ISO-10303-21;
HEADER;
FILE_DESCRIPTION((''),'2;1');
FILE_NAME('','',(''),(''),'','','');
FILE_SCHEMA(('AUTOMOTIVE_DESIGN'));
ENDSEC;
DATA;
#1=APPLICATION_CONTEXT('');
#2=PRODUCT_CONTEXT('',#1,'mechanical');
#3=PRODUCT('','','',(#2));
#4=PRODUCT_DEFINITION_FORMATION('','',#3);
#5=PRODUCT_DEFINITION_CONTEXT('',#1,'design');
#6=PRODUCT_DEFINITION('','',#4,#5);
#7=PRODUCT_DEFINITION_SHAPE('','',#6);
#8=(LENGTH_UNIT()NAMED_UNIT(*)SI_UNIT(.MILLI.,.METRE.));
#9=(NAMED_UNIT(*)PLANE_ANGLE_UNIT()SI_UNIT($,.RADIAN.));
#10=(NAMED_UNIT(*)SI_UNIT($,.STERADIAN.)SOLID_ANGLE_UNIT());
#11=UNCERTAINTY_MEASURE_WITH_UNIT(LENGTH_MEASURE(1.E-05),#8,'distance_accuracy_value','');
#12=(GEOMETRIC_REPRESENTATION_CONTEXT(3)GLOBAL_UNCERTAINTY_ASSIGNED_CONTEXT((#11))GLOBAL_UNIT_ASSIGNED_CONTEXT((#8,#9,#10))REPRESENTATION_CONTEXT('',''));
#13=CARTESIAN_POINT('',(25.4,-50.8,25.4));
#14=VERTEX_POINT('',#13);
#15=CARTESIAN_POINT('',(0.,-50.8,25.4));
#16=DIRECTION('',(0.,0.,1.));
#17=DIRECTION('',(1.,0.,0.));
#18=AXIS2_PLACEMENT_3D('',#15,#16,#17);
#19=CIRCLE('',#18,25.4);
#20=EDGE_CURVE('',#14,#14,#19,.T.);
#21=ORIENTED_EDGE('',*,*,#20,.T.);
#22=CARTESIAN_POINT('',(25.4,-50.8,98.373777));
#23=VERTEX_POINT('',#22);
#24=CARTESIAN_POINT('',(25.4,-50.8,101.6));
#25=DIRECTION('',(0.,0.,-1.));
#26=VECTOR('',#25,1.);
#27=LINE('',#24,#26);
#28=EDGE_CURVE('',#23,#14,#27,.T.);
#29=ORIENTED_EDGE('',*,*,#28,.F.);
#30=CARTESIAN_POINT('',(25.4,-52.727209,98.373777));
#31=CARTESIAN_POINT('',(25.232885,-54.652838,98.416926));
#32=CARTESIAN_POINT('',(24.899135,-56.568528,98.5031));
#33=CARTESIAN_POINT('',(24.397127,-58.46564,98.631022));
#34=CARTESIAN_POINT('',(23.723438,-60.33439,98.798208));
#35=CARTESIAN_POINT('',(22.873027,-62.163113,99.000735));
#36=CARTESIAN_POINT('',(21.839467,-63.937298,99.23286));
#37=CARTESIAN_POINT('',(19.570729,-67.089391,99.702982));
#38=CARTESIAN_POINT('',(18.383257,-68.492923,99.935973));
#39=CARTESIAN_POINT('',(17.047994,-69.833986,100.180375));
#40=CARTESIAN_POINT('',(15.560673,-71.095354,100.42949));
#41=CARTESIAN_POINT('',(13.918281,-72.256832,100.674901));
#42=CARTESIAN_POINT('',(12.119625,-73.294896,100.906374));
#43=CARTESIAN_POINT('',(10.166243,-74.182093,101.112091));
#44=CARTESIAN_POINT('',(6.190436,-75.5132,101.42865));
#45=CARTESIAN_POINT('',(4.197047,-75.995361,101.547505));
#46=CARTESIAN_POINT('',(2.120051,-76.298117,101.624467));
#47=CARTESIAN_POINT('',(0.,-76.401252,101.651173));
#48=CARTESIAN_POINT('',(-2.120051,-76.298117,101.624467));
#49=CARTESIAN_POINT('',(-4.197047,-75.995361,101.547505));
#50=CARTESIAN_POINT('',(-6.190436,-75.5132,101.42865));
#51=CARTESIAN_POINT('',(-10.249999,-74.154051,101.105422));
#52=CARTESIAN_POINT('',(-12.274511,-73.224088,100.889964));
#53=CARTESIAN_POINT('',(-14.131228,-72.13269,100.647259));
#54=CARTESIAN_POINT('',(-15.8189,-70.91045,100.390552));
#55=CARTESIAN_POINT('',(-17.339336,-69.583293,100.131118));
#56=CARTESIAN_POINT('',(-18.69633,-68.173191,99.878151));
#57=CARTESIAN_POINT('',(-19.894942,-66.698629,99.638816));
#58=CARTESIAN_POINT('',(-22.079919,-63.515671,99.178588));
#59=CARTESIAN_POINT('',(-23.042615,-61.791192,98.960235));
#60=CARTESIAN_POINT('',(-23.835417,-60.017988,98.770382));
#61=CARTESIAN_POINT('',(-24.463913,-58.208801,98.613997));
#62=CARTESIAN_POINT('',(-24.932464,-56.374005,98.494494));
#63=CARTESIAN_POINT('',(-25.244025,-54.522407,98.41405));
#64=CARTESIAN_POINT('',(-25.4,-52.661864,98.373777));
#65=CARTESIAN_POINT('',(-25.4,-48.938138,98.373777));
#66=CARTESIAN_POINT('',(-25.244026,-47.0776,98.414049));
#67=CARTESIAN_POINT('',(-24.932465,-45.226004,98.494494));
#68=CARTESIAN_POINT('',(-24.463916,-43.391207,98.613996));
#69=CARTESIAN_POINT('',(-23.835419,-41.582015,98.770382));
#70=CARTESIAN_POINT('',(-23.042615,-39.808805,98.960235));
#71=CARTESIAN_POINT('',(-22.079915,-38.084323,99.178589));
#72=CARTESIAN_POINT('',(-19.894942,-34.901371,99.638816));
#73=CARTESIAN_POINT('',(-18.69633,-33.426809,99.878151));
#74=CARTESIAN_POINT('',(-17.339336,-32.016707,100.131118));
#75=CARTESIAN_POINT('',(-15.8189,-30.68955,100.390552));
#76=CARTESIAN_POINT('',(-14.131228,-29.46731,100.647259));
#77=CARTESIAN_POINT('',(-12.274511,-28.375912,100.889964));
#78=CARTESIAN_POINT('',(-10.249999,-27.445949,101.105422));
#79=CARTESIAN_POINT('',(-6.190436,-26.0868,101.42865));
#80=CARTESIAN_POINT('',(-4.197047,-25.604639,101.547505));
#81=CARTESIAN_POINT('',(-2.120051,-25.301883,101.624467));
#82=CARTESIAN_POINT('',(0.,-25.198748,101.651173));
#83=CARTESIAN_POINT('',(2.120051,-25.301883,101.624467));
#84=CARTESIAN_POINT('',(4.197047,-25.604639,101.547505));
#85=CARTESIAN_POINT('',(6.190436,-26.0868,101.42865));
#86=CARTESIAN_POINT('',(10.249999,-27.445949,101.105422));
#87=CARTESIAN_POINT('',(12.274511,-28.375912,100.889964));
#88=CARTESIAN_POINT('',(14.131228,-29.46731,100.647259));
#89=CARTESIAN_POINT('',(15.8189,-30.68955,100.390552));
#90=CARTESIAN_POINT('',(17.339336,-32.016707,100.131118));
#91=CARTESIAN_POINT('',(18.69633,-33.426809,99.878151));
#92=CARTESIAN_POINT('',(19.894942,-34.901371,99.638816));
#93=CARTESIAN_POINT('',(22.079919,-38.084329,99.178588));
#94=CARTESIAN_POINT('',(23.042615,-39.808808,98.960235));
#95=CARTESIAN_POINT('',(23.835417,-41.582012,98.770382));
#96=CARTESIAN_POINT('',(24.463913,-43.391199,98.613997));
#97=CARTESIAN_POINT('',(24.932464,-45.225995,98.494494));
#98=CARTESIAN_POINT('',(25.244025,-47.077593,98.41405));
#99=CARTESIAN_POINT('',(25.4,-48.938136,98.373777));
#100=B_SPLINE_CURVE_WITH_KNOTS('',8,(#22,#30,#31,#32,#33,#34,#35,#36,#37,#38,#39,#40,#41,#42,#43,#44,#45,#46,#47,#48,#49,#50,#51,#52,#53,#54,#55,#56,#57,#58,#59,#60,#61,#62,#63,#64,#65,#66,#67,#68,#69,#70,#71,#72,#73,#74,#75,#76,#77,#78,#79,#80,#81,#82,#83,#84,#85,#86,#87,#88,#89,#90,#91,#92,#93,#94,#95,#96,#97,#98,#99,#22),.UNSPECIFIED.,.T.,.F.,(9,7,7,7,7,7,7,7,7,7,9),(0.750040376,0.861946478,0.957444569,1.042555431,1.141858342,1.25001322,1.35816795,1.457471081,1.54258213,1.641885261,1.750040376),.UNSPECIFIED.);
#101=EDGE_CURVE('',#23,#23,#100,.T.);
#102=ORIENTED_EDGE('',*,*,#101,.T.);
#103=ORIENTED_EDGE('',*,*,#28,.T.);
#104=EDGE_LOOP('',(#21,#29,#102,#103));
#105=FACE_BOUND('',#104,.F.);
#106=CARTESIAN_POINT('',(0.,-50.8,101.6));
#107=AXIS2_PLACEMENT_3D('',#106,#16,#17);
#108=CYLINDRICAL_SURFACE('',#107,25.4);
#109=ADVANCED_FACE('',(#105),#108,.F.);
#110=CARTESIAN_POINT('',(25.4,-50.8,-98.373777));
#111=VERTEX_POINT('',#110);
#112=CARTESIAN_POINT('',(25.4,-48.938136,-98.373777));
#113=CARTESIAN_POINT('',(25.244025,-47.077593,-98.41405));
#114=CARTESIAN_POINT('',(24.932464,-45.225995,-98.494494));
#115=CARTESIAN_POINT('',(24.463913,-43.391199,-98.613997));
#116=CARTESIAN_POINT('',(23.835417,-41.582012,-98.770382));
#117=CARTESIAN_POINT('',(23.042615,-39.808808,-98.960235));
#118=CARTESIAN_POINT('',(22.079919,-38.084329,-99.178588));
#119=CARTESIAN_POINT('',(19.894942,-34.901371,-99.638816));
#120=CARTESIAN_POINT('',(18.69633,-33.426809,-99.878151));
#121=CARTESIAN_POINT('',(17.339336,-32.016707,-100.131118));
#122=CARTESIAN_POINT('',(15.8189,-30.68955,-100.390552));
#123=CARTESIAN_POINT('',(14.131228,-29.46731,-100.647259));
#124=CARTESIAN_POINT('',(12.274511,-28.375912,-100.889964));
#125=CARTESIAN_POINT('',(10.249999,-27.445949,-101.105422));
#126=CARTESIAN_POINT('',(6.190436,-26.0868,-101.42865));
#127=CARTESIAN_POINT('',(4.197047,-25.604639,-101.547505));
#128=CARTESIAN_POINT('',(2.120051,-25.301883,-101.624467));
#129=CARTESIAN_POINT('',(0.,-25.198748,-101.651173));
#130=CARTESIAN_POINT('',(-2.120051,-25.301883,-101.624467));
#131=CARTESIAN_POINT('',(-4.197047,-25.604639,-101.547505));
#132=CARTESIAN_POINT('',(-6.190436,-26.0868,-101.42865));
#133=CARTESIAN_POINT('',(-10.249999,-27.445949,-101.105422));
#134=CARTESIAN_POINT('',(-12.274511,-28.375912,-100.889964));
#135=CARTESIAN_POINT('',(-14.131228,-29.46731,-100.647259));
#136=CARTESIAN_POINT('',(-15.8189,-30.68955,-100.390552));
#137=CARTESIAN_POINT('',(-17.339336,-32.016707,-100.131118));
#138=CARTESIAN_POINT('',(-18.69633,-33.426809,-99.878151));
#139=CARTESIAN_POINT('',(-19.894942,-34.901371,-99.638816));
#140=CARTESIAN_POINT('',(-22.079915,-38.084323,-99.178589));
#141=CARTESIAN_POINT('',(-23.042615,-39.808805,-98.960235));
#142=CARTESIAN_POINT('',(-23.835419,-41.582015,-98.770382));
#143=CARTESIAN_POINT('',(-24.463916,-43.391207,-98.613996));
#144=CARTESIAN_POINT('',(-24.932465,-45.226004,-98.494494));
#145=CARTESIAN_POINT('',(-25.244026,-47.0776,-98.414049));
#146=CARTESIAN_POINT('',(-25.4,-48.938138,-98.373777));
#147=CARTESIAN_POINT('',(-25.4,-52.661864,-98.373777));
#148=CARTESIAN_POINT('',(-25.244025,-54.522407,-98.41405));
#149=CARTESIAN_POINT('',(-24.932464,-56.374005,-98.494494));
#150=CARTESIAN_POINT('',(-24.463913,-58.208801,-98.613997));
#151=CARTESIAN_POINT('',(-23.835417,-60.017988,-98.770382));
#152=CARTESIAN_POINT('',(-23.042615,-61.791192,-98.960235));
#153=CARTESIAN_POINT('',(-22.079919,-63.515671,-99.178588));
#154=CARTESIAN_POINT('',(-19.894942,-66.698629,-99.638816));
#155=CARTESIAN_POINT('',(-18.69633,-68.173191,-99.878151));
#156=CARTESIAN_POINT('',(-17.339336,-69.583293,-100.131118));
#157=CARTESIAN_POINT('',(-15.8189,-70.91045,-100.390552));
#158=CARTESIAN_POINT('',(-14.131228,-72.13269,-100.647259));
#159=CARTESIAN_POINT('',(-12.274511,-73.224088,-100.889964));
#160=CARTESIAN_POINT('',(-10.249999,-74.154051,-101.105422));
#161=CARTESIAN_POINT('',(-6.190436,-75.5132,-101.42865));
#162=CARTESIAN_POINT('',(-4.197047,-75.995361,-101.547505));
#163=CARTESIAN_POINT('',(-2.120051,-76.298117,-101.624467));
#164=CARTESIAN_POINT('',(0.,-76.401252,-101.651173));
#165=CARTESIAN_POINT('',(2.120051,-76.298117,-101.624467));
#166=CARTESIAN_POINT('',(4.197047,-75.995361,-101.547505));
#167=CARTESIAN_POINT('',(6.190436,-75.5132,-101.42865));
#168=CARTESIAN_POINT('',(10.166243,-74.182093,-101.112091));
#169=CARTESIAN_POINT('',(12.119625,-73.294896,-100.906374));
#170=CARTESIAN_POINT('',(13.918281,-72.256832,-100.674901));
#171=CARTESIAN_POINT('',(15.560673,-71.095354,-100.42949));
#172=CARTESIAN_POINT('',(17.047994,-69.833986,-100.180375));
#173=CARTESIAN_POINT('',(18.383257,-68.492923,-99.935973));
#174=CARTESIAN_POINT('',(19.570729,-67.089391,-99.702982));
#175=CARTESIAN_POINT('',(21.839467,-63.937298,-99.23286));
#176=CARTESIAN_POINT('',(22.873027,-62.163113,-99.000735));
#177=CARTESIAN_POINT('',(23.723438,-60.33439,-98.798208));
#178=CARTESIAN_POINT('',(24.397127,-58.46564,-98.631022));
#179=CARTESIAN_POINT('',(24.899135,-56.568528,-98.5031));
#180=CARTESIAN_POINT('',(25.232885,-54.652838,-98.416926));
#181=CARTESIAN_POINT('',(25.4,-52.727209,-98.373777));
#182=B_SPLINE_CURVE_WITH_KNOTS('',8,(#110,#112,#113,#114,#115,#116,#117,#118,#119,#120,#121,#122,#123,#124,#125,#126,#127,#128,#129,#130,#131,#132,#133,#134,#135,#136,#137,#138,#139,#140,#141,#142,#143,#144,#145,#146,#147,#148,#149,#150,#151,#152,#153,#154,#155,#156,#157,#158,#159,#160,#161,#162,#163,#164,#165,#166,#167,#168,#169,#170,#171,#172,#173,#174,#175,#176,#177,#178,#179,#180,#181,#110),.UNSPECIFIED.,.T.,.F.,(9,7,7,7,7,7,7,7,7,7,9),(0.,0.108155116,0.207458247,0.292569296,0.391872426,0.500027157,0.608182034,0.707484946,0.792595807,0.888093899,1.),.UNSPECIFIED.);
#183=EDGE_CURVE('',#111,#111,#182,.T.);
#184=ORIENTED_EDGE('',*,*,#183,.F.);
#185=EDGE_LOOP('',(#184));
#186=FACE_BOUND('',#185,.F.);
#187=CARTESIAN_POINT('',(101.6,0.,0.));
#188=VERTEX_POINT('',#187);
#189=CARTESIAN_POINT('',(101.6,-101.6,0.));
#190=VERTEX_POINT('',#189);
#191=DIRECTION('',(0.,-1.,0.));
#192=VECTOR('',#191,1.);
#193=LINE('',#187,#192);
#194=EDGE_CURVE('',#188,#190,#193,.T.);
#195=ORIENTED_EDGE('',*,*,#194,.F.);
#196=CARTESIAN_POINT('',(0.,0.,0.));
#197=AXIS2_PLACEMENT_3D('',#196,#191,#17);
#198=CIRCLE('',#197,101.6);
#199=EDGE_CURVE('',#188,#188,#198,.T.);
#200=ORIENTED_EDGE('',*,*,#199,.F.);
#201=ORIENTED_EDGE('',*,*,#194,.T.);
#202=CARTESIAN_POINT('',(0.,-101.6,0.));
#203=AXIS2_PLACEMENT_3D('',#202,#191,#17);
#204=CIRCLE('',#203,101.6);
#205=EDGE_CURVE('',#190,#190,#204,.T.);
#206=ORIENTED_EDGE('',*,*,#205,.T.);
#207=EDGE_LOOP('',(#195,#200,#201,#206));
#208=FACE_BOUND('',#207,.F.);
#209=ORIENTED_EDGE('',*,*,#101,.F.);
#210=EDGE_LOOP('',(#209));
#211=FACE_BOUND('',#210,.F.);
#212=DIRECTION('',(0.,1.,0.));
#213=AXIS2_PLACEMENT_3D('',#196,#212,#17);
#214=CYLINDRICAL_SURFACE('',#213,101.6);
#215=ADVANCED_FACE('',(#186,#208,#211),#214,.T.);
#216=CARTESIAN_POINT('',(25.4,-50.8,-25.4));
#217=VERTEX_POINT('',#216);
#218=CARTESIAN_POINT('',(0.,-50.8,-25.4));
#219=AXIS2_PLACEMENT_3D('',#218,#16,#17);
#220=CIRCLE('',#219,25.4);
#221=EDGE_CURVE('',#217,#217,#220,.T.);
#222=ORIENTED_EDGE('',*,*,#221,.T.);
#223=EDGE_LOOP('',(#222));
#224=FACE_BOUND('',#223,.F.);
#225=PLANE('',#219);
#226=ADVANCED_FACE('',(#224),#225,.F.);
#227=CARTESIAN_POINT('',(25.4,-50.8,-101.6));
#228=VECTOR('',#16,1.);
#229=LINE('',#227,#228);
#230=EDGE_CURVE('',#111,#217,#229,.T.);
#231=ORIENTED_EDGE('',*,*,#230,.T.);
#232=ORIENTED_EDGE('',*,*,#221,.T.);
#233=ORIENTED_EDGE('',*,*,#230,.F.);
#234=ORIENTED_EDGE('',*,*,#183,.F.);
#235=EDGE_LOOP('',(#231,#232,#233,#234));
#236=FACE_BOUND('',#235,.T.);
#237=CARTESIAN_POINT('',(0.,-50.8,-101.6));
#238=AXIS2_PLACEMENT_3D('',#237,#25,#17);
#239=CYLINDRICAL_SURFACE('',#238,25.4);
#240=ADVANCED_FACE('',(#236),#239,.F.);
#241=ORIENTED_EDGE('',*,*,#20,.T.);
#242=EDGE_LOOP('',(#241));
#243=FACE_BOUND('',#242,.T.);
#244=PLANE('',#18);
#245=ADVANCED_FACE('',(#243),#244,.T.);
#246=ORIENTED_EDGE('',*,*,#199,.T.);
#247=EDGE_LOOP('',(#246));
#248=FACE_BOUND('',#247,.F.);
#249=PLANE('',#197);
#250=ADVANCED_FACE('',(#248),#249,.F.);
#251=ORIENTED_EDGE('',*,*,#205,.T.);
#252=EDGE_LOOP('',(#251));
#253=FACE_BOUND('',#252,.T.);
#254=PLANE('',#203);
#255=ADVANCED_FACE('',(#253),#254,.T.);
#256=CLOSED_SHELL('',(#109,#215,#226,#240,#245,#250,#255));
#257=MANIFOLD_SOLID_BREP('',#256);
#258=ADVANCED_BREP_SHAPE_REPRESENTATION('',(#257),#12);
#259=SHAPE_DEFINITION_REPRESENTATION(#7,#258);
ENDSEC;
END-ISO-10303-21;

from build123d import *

# Parameters (mm, degrees)
F0_R     = 101.6
F1_DEPTH = 101.6
F3_R     = 25.4
F4_DEPTH = 76.2
F6_R     = 25.4
F7_DEPTH = 76.2


with BuildPart() as f1:
    # F0 (on Front) → F1 (new body)
    with BuildSketch(Plane.XZ):
        Circle(F0_R)
    extrude(amount=F1_DEPTH)

    # F3 (on offset) → F4 (cut)
    with BuildSketch(Plane.XY.offset(101.6)):
        with Locations((0, -50.8)):
            Circle(F3_R)
    extrude(amount=-F4_DEPTH, mode=Mode.SUBTRACT)

    # F6 (on offset) → F7 (cut)
    with BuildSketch(Plane.XY.offset(-101.6)):
        with Locations((0, -50.8)):
            Circle(F6_R)
    extrude(amount=F7_DEPTH, mode=Mode.SUBTRACT)


solid = f1.part
